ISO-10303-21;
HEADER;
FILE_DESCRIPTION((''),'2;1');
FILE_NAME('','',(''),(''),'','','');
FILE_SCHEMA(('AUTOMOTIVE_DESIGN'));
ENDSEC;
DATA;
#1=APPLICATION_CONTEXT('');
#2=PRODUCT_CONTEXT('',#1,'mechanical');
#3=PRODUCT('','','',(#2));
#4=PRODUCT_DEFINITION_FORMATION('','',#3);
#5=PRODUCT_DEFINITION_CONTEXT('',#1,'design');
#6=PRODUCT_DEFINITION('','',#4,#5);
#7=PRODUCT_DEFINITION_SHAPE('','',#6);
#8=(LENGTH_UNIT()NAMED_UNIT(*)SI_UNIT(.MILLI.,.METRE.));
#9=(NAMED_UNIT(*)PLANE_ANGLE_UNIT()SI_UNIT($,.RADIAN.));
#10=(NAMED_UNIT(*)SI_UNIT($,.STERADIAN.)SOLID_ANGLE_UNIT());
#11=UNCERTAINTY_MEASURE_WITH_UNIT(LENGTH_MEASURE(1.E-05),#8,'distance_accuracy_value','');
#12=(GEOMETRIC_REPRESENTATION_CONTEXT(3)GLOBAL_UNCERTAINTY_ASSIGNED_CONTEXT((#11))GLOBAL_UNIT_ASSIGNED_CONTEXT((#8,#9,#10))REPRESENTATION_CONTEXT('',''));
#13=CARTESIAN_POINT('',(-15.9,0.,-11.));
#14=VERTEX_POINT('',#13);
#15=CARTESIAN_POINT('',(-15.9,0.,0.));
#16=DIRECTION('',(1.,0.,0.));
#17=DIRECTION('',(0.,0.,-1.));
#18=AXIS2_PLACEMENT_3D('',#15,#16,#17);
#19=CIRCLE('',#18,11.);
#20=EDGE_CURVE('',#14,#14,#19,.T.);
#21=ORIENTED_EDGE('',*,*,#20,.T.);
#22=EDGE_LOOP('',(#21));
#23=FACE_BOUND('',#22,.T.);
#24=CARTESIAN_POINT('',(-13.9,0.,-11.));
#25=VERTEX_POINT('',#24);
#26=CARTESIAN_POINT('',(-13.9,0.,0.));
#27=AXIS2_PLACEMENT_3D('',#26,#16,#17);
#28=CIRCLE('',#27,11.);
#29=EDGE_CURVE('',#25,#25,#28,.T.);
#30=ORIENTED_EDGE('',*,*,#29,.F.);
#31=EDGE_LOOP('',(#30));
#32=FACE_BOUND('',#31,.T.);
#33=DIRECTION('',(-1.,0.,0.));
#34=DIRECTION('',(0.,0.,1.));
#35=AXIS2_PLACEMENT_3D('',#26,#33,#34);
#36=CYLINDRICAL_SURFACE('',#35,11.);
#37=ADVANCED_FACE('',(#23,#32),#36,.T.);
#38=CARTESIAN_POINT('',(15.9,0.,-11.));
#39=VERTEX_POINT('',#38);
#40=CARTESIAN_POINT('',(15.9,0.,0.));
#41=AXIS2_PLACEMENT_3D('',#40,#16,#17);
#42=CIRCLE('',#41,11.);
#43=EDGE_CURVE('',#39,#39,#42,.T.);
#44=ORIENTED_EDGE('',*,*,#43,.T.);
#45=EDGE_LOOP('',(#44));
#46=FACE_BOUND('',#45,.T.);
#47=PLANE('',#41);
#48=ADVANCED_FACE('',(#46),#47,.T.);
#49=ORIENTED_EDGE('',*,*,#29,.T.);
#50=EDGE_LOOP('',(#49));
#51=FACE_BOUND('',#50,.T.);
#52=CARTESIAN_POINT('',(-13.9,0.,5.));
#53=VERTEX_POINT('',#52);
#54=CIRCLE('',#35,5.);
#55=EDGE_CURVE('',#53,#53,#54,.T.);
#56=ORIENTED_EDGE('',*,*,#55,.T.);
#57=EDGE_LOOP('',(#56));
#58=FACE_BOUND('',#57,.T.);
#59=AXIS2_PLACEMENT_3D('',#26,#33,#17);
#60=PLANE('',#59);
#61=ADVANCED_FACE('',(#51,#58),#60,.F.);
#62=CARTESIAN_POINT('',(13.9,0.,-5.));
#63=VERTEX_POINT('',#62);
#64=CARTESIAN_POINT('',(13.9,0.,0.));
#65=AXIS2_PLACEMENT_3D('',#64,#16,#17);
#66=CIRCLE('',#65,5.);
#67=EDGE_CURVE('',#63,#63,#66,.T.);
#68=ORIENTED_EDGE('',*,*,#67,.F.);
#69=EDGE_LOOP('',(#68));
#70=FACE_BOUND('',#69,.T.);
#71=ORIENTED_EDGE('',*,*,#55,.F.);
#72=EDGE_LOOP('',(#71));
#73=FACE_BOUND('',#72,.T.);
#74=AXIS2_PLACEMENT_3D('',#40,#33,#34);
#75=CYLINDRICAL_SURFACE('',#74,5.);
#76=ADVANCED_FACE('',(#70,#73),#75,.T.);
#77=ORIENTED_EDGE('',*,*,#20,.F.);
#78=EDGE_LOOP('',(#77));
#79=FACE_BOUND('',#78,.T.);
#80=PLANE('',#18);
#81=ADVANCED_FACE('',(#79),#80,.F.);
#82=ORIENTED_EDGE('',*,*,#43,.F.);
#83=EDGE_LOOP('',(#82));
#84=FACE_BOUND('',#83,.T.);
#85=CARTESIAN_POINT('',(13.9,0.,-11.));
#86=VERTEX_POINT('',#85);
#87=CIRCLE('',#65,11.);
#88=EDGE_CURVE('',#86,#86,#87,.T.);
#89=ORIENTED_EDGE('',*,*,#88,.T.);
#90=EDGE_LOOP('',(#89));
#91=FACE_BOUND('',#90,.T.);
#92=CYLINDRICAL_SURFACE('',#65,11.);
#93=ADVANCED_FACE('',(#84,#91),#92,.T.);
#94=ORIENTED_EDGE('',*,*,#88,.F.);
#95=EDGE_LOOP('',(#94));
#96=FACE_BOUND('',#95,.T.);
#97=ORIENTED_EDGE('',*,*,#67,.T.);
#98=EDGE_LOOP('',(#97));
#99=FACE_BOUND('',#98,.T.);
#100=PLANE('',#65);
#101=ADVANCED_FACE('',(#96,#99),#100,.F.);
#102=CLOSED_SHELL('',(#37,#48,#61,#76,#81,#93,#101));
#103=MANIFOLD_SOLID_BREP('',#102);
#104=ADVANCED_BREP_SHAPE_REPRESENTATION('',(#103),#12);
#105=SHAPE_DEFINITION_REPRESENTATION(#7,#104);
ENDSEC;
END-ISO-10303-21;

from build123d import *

# Parameters (mm, degrees)
SKETCH1_R           = 5
BOSS_EXTRUDE1_DEPTH = 15.9
SKETCH2_R           = 11
BOSS_EXTRUDE2_DEPTH = 2


with BuildPart() as part:
    # Sketch1 → Boss-Extrude1 (new, symmetric)
    with BuildSketch(Plane(origin=(0, 0, 0), x_dir=(0, 0, -1), z_dir=(1, 0, 0))):
        Circle(SKETCH1_R)
    extrude(amount=BOSS_EXTRUDE1_DEPTH, both=True)

    # Sketch2 → Boss-Extrude2 (add)
    with BuildSketch(Plane(origin=(15.9, 0, 0), x_dir=(0, 0, -1), z_dir=(1, 0, 0))):
        Circle(SKETCH2_R)
    boss_extrude2 = extrude(amount=-BOSS_EXTRUDE2_DEPTH)

    # Mirror1: Boss-Extrude2 across plane
    add(boss_extrude2.mirror(Plane(origin=(0, 0, 0), x_dir=(0, 0, 1), z_dir=(1, 0, 0))))


solid = part.part
